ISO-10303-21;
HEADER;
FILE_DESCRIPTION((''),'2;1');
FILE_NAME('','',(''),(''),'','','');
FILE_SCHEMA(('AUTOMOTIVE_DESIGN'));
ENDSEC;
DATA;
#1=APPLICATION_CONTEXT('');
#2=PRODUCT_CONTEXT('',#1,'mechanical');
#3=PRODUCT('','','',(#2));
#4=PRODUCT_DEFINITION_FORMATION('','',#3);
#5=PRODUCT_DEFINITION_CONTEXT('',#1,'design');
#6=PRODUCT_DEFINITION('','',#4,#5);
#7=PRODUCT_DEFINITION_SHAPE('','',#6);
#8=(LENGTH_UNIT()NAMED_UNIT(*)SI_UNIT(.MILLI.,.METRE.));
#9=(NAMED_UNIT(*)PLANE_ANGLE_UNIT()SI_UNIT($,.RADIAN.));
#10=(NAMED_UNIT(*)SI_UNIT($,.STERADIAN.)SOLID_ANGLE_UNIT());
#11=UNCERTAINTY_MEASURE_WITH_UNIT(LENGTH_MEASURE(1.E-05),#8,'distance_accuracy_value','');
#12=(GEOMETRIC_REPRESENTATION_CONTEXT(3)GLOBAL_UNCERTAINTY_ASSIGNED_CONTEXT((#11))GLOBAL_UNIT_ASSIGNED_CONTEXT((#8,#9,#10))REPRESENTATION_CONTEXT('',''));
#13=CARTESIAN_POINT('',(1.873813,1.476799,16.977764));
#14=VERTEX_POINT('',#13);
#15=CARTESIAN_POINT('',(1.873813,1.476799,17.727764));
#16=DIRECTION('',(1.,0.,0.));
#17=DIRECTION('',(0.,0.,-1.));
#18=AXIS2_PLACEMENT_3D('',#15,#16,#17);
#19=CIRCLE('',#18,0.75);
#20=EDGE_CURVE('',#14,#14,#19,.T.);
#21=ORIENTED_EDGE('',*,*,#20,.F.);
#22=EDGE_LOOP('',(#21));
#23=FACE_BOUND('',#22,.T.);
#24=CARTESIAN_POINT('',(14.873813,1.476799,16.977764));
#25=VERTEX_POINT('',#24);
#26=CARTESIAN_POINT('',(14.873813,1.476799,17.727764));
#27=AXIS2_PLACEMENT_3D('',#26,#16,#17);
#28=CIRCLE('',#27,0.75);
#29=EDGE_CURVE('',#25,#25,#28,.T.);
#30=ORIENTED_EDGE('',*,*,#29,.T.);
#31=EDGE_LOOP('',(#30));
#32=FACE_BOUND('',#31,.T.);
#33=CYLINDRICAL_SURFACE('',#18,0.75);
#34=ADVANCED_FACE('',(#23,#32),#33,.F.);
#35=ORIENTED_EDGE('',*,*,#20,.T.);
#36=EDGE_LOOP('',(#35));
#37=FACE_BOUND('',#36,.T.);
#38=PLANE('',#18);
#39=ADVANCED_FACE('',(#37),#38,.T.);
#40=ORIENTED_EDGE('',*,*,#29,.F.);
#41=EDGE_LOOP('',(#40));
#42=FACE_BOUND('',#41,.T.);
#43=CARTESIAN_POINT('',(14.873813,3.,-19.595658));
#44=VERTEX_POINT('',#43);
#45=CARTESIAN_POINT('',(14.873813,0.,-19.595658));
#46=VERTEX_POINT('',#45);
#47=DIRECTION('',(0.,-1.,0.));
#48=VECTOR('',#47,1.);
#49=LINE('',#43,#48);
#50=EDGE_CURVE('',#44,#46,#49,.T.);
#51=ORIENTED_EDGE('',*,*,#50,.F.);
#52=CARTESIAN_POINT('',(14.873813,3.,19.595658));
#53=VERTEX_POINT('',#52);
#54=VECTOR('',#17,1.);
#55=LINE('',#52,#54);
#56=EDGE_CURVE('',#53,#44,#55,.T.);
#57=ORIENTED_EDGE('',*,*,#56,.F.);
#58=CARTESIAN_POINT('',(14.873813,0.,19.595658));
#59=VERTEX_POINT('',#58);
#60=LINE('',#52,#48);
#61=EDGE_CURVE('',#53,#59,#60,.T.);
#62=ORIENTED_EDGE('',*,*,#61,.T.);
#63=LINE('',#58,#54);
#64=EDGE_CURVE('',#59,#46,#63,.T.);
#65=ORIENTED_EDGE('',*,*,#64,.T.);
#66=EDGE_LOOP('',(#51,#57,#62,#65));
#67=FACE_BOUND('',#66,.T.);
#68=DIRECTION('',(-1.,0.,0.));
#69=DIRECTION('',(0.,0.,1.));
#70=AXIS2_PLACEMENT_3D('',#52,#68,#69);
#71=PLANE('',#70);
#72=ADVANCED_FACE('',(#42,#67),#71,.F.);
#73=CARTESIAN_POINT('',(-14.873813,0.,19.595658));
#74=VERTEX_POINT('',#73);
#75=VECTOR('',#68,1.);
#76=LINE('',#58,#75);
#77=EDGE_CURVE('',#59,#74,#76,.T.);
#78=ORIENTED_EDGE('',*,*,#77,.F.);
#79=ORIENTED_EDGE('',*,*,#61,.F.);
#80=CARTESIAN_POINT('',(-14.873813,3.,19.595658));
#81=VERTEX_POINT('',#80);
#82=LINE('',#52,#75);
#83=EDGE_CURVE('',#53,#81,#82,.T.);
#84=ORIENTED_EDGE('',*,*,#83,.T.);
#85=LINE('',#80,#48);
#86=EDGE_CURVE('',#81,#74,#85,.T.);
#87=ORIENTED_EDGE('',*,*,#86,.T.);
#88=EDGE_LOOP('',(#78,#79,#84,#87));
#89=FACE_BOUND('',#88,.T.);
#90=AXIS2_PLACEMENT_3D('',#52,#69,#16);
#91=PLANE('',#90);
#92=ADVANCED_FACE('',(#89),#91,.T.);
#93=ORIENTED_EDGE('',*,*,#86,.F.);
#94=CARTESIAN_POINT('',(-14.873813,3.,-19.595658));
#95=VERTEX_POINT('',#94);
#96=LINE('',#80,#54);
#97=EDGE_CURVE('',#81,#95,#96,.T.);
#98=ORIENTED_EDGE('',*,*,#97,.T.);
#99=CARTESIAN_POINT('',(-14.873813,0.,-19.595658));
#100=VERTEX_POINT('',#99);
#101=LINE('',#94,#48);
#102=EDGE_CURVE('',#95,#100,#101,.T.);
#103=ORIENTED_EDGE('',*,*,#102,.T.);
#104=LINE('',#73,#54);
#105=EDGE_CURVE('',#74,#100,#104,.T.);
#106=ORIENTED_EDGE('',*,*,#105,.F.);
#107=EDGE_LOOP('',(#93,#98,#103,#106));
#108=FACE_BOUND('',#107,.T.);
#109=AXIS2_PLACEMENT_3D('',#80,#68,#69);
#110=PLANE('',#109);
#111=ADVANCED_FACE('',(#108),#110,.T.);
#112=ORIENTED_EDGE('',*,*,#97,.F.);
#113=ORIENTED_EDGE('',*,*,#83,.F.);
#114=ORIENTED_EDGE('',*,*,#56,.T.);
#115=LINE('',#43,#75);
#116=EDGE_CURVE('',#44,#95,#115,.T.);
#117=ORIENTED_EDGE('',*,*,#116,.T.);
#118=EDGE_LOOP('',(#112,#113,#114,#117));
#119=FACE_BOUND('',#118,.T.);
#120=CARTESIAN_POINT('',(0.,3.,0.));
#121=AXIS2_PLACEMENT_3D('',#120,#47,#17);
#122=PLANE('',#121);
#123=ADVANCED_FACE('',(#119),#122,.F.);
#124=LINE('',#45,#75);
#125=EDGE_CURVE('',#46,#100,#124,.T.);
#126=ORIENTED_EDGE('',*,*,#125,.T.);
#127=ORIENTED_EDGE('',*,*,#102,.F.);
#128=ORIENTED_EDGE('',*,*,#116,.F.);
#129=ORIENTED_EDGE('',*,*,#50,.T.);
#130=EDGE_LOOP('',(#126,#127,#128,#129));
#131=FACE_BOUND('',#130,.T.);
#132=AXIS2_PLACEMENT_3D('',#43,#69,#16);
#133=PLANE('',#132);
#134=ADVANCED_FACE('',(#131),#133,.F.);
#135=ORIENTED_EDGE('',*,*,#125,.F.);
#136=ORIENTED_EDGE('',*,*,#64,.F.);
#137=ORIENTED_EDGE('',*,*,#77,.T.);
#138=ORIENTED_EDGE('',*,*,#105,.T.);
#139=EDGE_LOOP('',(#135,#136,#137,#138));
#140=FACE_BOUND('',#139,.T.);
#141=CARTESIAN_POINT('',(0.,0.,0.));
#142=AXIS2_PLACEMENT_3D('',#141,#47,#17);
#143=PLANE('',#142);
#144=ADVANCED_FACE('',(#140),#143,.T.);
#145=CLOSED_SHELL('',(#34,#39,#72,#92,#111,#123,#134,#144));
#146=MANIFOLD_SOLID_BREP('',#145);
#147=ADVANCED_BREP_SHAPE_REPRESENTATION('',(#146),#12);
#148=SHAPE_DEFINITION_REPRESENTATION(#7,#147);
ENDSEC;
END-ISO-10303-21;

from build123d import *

# Parameters (mm, degrees)
SKETCH1_W           = 29.74762565
SKETCH1_H           = 39.191316334
BOSS_EXTRUDE1_DEPTH = 3
SKETCH2_R           = 0.75
CUT_EXTRUDE1_DEPTH  = 13


with BuildPart() as part:
    # Sketch1 → Boss-Extrude1 (new body)
    with BuildSketch(Plane(origin=(0, 0, 0), x_dir=(1, 0, 0), z_dir=(0, 1, 0))):
        Rectangle(SKETCH1_W, SKETCH1_H)
    extrude(amount=BOSS_EXTRUDE1_DEPTH)

    # Sketch2 → Cut-Extrude1 (cut)
    with BuildSketch(Plane(origin=(14.873812825, 0, 0), x_dir=(0, 0, -1), z_dir=(1, 0, 0))):
        with Locations((-17.727763699, 1.476799279)):
            Circle(SKETCH2_R)
    extrude(amount=-CUT_EXTRUDE1_DEPTH, mode=Mode.SUBTRACT)


solid = part.part
